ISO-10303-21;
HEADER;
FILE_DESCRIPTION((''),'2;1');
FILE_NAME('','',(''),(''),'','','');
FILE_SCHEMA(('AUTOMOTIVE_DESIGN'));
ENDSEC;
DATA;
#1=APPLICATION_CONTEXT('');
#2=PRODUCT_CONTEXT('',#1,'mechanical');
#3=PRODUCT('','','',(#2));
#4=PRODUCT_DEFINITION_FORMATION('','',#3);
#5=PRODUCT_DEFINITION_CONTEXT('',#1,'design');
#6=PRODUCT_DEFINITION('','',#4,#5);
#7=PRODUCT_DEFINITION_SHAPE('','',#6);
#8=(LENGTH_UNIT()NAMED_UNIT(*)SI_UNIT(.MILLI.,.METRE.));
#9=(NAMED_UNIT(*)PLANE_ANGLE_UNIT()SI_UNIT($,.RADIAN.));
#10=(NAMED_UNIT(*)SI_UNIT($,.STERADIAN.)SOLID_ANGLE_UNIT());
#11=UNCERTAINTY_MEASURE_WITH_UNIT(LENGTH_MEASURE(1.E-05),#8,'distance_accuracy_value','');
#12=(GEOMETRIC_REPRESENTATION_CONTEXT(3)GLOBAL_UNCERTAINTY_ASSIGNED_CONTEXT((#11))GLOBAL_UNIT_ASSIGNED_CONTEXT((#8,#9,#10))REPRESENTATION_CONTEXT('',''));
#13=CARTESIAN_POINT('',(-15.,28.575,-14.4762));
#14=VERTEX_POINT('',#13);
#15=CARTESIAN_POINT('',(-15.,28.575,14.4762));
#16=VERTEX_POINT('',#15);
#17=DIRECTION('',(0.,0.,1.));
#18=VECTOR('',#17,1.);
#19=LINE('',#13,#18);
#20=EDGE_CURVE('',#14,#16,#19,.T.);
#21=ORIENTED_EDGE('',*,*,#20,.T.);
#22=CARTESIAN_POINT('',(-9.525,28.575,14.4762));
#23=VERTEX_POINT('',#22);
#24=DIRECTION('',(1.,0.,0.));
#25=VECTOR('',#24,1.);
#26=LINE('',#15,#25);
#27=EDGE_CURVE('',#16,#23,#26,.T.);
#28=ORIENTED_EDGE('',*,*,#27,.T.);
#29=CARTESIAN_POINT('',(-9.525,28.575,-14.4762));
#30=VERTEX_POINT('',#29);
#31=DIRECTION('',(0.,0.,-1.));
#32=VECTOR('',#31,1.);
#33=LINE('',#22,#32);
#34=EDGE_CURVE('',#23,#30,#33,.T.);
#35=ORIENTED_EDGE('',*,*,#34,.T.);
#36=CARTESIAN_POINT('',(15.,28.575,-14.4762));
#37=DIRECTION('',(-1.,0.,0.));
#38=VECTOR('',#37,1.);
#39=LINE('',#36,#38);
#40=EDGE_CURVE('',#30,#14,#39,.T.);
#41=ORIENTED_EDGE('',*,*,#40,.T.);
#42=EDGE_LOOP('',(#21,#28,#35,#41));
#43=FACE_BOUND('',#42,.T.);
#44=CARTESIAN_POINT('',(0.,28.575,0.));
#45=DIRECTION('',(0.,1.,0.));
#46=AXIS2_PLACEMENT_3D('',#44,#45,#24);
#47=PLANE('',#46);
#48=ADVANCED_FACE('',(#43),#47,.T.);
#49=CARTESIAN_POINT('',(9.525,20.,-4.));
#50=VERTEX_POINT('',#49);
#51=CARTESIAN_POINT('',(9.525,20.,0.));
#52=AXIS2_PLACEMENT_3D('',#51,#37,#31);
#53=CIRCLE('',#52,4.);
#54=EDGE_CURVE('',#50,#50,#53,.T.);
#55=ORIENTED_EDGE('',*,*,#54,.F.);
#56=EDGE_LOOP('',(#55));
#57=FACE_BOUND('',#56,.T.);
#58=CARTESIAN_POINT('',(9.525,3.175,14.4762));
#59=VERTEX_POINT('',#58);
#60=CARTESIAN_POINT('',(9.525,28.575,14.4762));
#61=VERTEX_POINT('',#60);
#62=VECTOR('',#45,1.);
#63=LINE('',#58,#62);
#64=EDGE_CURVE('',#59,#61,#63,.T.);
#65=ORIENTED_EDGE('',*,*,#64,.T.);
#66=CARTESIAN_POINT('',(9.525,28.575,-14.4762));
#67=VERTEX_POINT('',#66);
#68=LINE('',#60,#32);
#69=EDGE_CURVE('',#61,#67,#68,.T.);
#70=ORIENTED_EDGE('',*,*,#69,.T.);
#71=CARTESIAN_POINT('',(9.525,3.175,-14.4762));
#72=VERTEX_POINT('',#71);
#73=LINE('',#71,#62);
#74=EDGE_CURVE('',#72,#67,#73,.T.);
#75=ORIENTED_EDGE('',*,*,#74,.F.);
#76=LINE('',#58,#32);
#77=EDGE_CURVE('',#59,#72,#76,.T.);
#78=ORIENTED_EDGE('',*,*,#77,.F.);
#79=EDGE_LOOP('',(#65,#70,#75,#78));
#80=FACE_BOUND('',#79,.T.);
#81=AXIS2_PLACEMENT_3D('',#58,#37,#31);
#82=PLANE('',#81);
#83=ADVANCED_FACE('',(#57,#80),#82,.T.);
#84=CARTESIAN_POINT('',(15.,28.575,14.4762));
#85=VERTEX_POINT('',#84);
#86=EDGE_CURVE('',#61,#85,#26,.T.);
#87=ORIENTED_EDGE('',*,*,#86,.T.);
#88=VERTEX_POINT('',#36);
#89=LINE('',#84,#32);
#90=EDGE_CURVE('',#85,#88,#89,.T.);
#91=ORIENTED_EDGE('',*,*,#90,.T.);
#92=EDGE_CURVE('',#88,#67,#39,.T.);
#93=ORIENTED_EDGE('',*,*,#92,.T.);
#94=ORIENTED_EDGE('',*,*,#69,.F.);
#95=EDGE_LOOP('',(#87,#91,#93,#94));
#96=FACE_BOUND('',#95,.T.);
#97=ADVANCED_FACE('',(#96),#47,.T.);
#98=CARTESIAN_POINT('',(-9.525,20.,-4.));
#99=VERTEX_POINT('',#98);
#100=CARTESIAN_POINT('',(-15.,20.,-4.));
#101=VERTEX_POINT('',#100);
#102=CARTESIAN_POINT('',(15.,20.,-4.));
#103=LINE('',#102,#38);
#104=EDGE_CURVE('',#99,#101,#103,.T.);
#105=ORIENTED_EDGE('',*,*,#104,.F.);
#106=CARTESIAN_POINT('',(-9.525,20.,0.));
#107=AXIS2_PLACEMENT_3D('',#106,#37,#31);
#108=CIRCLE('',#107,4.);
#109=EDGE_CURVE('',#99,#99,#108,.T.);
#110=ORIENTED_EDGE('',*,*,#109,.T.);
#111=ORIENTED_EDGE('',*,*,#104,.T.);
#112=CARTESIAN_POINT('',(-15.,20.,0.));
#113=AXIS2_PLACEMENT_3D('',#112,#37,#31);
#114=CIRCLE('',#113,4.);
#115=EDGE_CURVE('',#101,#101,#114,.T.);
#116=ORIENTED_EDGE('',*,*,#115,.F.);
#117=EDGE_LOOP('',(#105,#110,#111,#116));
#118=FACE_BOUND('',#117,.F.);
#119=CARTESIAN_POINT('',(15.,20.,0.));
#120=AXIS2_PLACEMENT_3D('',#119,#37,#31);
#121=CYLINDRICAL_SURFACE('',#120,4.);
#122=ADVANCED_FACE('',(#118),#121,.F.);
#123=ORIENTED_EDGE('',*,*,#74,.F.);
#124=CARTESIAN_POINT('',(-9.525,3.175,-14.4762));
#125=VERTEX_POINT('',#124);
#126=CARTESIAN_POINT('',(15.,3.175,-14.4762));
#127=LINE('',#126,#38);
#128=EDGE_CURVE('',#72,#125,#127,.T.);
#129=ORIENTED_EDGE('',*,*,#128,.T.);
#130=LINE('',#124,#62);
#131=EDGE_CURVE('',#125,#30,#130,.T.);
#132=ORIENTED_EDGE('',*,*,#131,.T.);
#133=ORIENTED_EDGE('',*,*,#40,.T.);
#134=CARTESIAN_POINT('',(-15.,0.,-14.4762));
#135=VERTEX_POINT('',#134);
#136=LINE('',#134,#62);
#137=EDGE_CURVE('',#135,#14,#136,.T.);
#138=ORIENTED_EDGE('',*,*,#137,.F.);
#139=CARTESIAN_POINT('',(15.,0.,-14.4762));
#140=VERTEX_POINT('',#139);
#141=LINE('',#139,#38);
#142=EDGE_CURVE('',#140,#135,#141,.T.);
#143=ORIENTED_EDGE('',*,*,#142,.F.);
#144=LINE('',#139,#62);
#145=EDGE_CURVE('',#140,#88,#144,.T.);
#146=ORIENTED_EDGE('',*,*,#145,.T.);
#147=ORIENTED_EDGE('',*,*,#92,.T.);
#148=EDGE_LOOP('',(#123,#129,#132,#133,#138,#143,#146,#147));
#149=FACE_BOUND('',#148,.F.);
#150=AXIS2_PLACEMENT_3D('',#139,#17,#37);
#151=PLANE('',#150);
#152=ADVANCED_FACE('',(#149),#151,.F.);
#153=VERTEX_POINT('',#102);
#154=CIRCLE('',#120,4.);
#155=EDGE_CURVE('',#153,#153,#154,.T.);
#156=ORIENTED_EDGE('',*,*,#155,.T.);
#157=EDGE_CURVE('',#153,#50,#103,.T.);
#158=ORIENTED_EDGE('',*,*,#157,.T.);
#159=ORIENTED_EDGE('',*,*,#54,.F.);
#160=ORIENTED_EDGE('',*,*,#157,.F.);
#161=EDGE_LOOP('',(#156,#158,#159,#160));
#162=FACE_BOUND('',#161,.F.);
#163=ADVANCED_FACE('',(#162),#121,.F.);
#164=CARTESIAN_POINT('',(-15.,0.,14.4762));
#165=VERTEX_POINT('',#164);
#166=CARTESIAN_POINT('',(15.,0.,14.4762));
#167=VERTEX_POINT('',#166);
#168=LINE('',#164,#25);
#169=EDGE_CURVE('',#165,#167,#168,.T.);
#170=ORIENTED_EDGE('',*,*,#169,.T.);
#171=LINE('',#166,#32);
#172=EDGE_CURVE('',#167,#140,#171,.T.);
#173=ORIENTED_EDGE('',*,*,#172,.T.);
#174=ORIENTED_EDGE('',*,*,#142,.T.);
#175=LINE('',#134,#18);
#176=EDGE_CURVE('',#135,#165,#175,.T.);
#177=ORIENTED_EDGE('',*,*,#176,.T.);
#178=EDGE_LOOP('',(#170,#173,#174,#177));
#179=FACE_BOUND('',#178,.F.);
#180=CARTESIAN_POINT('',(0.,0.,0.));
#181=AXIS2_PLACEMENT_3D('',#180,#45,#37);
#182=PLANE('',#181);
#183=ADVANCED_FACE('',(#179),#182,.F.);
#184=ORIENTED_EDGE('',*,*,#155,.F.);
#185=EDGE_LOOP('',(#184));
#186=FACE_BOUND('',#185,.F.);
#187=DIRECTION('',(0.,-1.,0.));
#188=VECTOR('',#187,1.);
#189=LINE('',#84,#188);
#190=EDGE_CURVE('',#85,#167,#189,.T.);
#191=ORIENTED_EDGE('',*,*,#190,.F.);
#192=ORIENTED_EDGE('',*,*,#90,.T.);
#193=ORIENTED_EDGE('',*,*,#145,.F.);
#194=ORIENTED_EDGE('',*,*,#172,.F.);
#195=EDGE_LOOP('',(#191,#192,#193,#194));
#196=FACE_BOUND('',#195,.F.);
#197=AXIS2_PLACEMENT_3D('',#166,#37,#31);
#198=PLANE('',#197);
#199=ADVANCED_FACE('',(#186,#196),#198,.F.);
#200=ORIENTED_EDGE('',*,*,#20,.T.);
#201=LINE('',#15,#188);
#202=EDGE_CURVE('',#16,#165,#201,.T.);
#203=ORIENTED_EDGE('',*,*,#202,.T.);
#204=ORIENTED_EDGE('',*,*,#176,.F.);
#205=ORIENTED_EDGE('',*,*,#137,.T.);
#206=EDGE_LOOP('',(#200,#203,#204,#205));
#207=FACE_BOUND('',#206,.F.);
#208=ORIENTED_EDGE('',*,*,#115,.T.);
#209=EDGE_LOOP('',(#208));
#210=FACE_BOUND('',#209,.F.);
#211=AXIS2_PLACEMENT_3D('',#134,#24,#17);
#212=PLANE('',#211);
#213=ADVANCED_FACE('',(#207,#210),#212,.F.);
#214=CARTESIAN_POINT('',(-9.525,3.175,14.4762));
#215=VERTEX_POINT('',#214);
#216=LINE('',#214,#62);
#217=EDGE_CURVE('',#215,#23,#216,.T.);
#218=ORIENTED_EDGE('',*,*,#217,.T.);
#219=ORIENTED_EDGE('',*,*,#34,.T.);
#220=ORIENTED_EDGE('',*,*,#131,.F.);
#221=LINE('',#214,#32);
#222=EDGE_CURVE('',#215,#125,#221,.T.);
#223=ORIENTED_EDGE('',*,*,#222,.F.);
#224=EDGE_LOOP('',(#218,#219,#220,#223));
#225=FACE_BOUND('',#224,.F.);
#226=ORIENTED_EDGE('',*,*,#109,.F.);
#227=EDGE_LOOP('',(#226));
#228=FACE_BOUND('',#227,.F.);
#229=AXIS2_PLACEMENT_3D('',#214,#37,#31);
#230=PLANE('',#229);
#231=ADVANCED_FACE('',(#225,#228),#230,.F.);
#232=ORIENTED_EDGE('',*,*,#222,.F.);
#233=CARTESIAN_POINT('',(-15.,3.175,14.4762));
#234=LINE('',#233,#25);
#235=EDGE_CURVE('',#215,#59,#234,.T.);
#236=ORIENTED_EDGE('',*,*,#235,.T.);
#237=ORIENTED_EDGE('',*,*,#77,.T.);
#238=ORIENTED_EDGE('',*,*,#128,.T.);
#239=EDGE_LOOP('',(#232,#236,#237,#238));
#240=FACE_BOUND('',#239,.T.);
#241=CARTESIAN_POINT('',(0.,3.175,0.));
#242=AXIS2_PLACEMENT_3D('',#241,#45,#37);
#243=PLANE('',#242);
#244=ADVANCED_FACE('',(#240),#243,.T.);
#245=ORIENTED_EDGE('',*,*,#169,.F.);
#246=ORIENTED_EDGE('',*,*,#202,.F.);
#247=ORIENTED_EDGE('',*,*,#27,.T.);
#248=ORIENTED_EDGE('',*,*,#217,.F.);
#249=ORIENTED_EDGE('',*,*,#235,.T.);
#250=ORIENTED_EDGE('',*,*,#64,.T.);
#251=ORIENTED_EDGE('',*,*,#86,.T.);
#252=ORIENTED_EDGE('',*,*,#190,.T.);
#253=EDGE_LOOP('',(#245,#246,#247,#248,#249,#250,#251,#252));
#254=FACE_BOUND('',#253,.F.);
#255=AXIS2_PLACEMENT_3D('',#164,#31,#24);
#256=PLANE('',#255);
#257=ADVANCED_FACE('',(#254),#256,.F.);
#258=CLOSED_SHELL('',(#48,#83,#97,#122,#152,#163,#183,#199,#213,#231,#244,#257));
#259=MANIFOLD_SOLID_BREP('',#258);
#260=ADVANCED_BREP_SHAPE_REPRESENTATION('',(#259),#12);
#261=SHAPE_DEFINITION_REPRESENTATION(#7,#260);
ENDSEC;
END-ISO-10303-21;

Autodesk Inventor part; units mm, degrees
ref_plane "XZ Plane" through (0, 0, 0) normal (0, 1, 0) x (-1, 0, 0)
ref_plane "XY Plane" through (0, 0, 0) normal (0, 0, 1) x (1, 0, 0)
sketch "Sketch1" plane through (0, 0, 0) normal (0, 1, 0) x (-1, 0, 0)
  line L0 (-15, -14.4762) -> (15, -14.4762)
  line L1 (15, -14.4762) -> (15, 14.4762)
  line L2 (15, 14.4762) -> (-15, 14.4762)
  line L3 (-15, 14.4762) -> (-15, -14.4762)
  line L4 (-15, -14.4762) -> (15, 14.4762) construction
  line L5 (15, -14.4762) -> (-15, 14.4762) construction
  point P0 (0, 0)
  dimension "d0" = 30
extrude "Extrusion1" add sketch "Sketch1" along normal blind 3.175
sketch "Sketch2" plane through (0, 3.175, 0) normal (0, 1, 0) x (1, 0, 0)
  line L0 (-15, 14.4762) -> (-15, -14.4762) projected
  line L1 (-15, -14.4762) -> (15, -14.4762) projected
  line L2 (15, -14.4762) -> (15, 14.4762) projected
  line L3 (15, 14.4762) -> (-15, 14.4762) projected
  line L4 (-9.525, -14.4762) -> (-9.525, 14.4762)
  line L5 (0, 20.2667) -> (0, -20.2667) projected
  line L6 (9.525, -14.4762) -> (9.525, 14.4762)
  point P0 (0, 0)
  dimension "d3" = 19.05
extrude "Extrusion2" add sketch "Sketch2" along normal blind 25.4 contours L3 L4 L1 L0 | L3 L2 L1 L6
sketch "Sketch3" plane through (15, 0, 14.4762) normal (1, 0, 0) x (0, 0, -1)
  line L0 (-5.7905, 0) -> (34.7429, 0) construction
  line L1 (14.4762, -5.715) -> (14.4762, 34.29) construction
  point P0 (14.4762, 0)
  point P1 (14.4762, 20)
  dimension "d6" = 20
hole "Hole1" at (15, 20, 0) direction (-1, 0, 0) diameter 8 end through all
properties part number "Rough_1in_U_Bracket"
